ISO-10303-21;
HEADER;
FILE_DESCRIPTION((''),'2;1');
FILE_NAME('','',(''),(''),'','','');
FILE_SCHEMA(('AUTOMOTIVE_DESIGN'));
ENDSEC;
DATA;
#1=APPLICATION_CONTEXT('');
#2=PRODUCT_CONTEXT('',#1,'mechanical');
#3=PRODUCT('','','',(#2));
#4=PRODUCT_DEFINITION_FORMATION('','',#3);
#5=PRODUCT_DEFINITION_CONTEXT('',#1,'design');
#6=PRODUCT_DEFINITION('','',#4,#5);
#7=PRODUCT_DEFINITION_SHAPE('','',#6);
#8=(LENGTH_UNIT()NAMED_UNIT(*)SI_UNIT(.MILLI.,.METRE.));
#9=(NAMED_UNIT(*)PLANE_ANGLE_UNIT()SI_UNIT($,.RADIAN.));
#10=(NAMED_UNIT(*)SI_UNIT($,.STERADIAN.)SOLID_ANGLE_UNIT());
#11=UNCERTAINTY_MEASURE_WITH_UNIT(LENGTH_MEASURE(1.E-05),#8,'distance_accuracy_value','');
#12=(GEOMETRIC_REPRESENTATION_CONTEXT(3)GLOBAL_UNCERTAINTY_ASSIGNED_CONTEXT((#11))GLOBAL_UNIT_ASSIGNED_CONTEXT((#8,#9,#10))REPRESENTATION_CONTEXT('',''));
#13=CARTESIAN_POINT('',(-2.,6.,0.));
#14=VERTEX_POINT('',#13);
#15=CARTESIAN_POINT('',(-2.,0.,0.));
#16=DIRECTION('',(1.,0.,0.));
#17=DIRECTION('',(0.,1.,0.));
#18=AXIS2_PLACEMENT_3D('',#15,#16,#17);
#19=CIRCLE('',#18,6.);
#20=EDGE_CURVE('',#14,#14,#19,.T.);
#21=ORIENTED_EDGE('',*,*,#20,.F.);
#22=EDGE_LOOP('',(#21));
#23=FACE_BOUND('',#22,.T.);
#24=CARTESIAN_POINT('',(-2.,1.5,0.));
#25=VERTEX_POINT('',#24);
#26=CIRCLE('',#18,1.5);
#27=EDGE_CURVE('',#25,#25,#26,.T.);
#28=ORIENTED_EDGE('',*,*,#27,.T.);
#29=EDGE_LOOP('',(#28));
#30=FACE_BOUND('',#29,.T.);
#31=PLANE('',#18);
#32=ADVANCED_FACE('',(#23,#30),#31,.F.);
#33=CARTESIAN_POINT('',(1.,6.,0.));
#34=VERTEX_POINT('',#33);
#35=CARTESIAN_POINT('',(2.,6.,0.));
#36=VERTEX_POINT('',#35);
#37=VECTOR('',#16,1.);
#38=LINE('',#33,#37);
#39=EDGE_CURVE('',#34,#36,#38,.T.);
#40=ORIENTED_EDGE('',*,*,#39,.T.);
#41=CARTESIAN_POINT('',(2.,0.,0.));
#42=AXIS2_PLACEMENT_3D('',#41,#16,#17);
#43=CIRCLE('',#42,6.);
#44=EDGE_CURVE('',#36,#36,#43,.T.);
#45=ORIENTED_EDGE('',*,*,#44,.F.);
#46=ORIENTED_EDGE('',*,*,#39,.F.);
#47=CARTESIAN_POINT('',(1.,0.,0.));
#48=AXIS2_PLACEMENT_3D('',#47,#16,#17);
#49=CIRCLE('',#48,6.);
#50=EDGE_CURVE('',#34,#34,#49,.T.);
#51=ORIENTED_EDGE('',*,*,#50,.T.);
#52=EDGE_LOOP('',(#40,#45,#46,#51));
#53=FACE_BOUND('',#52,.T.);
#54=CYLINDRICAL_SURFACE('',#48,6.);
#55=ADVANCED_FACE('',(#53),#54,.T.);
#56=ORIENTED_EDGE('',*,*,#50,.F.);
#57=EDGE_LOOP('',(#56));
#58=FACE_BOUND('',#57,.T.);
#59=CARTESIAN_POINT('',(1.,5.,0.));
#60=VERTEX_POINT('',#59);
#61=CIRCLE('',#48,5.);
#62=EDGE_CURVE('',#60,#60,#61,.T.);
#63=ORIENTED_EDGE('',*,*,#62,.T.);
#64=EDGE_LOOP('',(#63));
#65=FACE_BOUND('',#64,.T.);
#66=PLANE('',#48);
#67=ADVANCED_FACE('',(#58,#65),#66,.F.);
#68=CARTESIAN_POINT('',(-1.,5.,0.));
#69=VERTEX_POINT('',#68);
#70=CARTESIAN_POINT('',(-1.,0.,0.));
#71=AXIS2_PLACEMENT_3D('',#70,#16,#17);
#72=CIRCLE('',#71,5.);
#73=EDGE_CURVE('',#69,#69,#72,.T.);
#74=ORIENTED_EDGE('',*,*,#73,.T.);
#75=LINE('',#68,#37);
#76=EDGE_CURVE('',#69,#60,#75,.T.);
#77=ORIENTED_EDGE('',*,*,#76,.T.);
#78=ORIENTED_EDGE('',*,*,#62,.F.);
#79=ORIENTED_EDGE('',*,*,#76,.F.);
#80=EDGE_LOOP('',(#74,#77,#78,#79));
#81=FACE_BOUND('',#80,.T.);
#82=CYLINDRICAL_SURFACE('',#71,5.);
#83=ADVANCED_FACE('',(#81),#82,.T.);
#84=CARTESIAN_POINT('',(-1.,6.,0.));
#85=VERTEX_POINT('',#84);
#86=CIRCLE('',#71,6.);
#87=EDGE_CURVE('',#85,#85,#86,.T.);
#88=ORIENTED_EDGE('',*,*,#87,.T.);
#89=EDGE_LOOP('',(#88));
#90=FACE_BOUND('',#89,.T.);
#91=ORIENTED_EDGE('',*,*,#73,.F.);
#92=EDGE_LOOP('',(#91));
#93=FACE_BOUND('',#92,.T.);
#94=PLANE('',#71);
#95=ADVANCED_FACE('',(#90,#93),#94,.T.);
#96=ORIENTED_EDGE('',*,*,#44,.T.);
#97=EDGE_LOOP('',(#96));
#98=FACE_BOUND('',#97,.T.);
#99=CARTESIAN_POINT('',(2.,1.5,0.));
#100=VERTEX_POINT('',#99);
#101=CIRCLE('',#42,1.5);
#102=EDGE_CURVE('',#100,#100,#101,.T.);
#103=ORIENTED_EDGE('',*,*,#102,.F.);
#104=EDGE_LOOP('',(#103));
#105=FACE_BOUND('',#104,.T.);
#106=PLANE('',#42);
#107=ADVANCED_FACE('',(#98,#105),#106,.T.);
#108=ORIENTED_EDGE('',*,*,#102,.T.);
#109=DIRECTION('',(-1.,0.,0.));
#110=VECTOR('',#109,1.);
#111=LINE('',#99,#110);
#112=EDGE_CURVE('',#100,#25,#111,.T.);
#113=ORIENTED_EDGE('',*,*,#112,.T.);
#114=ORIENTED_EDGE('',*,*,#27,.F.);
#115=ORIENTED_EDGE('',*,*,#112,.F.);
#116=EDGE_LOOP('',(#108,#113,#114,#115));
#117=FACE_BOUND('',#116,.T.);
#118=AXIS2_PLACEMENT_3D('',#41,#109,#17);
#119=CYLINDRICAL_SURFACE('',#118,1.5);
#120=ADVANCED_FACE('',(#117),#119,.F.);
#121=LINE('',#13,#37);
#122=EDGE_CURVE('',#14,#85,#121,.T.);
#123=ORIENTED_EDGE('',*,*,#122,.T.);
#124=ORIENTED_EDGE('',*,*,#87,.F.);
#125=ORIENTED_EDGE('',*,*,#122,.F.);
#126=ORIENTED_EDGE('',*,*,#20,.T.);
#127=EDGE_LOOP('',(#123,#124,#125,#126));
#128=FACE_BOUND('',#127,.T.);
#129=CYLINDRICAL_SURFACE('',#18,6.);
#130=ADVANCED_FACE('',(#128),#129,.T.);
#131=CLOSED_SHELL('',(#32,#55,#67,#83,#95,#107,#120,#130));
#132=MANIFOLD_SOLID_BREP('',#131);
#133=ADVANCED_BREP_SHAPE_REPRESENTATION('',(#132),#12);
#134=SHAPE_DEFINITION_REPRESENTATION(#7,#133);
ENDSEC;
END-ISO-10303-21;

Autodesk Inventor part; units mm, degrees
ref_plane "YZ Plane" through (0, 0, 0) normal (1, 0, 0) x (0, 1, 0)
ref_plane "XZ Plane" through (0, 0, 0) normal (0, 1, 0) x (-1, 0, 0)
ref_plane "XY Plane" through (0, 0, 0) normal (0, 0, 1) x (1, 0, 0)
sketch "スケッチ1" plane through (0, 0, 0) normal (0, 0, 1) x (1, 0, 0)
  line L0 (-2, 6) -> (-1, 6)
  line L1 (-1, 6) -> (-1, 5)
  line L2 (-1, 5) -> (1, 5)
  line L3 (1, 5) -> (1, 6)
  line L4 (1, 6) -> (2, 6)
  line L5 (2, 6) -> (2, 1.5)
  line L6 (2, 1.5) -> (-2, 1.5)
  line L7 (-2, 1.5) -> (-2, 6)
  line L8 (0, -1.2) -> (0, 7.2) construction
  line L9 (-2.8, 0) -> (2.8, 0) projected
  point P0 (0, 0)
  dimension "d0" = 1.5
  dimension "d1" = 5
  dimension "d2" = 1
  dimension "d3" = 2
  dimension "d4" = 1
revolve "回転1" add sketch "スケッチ1" angle 360 about axis through (-10, 0, 0) along (1, 0, 0)
properties part number "Pulley_L"
